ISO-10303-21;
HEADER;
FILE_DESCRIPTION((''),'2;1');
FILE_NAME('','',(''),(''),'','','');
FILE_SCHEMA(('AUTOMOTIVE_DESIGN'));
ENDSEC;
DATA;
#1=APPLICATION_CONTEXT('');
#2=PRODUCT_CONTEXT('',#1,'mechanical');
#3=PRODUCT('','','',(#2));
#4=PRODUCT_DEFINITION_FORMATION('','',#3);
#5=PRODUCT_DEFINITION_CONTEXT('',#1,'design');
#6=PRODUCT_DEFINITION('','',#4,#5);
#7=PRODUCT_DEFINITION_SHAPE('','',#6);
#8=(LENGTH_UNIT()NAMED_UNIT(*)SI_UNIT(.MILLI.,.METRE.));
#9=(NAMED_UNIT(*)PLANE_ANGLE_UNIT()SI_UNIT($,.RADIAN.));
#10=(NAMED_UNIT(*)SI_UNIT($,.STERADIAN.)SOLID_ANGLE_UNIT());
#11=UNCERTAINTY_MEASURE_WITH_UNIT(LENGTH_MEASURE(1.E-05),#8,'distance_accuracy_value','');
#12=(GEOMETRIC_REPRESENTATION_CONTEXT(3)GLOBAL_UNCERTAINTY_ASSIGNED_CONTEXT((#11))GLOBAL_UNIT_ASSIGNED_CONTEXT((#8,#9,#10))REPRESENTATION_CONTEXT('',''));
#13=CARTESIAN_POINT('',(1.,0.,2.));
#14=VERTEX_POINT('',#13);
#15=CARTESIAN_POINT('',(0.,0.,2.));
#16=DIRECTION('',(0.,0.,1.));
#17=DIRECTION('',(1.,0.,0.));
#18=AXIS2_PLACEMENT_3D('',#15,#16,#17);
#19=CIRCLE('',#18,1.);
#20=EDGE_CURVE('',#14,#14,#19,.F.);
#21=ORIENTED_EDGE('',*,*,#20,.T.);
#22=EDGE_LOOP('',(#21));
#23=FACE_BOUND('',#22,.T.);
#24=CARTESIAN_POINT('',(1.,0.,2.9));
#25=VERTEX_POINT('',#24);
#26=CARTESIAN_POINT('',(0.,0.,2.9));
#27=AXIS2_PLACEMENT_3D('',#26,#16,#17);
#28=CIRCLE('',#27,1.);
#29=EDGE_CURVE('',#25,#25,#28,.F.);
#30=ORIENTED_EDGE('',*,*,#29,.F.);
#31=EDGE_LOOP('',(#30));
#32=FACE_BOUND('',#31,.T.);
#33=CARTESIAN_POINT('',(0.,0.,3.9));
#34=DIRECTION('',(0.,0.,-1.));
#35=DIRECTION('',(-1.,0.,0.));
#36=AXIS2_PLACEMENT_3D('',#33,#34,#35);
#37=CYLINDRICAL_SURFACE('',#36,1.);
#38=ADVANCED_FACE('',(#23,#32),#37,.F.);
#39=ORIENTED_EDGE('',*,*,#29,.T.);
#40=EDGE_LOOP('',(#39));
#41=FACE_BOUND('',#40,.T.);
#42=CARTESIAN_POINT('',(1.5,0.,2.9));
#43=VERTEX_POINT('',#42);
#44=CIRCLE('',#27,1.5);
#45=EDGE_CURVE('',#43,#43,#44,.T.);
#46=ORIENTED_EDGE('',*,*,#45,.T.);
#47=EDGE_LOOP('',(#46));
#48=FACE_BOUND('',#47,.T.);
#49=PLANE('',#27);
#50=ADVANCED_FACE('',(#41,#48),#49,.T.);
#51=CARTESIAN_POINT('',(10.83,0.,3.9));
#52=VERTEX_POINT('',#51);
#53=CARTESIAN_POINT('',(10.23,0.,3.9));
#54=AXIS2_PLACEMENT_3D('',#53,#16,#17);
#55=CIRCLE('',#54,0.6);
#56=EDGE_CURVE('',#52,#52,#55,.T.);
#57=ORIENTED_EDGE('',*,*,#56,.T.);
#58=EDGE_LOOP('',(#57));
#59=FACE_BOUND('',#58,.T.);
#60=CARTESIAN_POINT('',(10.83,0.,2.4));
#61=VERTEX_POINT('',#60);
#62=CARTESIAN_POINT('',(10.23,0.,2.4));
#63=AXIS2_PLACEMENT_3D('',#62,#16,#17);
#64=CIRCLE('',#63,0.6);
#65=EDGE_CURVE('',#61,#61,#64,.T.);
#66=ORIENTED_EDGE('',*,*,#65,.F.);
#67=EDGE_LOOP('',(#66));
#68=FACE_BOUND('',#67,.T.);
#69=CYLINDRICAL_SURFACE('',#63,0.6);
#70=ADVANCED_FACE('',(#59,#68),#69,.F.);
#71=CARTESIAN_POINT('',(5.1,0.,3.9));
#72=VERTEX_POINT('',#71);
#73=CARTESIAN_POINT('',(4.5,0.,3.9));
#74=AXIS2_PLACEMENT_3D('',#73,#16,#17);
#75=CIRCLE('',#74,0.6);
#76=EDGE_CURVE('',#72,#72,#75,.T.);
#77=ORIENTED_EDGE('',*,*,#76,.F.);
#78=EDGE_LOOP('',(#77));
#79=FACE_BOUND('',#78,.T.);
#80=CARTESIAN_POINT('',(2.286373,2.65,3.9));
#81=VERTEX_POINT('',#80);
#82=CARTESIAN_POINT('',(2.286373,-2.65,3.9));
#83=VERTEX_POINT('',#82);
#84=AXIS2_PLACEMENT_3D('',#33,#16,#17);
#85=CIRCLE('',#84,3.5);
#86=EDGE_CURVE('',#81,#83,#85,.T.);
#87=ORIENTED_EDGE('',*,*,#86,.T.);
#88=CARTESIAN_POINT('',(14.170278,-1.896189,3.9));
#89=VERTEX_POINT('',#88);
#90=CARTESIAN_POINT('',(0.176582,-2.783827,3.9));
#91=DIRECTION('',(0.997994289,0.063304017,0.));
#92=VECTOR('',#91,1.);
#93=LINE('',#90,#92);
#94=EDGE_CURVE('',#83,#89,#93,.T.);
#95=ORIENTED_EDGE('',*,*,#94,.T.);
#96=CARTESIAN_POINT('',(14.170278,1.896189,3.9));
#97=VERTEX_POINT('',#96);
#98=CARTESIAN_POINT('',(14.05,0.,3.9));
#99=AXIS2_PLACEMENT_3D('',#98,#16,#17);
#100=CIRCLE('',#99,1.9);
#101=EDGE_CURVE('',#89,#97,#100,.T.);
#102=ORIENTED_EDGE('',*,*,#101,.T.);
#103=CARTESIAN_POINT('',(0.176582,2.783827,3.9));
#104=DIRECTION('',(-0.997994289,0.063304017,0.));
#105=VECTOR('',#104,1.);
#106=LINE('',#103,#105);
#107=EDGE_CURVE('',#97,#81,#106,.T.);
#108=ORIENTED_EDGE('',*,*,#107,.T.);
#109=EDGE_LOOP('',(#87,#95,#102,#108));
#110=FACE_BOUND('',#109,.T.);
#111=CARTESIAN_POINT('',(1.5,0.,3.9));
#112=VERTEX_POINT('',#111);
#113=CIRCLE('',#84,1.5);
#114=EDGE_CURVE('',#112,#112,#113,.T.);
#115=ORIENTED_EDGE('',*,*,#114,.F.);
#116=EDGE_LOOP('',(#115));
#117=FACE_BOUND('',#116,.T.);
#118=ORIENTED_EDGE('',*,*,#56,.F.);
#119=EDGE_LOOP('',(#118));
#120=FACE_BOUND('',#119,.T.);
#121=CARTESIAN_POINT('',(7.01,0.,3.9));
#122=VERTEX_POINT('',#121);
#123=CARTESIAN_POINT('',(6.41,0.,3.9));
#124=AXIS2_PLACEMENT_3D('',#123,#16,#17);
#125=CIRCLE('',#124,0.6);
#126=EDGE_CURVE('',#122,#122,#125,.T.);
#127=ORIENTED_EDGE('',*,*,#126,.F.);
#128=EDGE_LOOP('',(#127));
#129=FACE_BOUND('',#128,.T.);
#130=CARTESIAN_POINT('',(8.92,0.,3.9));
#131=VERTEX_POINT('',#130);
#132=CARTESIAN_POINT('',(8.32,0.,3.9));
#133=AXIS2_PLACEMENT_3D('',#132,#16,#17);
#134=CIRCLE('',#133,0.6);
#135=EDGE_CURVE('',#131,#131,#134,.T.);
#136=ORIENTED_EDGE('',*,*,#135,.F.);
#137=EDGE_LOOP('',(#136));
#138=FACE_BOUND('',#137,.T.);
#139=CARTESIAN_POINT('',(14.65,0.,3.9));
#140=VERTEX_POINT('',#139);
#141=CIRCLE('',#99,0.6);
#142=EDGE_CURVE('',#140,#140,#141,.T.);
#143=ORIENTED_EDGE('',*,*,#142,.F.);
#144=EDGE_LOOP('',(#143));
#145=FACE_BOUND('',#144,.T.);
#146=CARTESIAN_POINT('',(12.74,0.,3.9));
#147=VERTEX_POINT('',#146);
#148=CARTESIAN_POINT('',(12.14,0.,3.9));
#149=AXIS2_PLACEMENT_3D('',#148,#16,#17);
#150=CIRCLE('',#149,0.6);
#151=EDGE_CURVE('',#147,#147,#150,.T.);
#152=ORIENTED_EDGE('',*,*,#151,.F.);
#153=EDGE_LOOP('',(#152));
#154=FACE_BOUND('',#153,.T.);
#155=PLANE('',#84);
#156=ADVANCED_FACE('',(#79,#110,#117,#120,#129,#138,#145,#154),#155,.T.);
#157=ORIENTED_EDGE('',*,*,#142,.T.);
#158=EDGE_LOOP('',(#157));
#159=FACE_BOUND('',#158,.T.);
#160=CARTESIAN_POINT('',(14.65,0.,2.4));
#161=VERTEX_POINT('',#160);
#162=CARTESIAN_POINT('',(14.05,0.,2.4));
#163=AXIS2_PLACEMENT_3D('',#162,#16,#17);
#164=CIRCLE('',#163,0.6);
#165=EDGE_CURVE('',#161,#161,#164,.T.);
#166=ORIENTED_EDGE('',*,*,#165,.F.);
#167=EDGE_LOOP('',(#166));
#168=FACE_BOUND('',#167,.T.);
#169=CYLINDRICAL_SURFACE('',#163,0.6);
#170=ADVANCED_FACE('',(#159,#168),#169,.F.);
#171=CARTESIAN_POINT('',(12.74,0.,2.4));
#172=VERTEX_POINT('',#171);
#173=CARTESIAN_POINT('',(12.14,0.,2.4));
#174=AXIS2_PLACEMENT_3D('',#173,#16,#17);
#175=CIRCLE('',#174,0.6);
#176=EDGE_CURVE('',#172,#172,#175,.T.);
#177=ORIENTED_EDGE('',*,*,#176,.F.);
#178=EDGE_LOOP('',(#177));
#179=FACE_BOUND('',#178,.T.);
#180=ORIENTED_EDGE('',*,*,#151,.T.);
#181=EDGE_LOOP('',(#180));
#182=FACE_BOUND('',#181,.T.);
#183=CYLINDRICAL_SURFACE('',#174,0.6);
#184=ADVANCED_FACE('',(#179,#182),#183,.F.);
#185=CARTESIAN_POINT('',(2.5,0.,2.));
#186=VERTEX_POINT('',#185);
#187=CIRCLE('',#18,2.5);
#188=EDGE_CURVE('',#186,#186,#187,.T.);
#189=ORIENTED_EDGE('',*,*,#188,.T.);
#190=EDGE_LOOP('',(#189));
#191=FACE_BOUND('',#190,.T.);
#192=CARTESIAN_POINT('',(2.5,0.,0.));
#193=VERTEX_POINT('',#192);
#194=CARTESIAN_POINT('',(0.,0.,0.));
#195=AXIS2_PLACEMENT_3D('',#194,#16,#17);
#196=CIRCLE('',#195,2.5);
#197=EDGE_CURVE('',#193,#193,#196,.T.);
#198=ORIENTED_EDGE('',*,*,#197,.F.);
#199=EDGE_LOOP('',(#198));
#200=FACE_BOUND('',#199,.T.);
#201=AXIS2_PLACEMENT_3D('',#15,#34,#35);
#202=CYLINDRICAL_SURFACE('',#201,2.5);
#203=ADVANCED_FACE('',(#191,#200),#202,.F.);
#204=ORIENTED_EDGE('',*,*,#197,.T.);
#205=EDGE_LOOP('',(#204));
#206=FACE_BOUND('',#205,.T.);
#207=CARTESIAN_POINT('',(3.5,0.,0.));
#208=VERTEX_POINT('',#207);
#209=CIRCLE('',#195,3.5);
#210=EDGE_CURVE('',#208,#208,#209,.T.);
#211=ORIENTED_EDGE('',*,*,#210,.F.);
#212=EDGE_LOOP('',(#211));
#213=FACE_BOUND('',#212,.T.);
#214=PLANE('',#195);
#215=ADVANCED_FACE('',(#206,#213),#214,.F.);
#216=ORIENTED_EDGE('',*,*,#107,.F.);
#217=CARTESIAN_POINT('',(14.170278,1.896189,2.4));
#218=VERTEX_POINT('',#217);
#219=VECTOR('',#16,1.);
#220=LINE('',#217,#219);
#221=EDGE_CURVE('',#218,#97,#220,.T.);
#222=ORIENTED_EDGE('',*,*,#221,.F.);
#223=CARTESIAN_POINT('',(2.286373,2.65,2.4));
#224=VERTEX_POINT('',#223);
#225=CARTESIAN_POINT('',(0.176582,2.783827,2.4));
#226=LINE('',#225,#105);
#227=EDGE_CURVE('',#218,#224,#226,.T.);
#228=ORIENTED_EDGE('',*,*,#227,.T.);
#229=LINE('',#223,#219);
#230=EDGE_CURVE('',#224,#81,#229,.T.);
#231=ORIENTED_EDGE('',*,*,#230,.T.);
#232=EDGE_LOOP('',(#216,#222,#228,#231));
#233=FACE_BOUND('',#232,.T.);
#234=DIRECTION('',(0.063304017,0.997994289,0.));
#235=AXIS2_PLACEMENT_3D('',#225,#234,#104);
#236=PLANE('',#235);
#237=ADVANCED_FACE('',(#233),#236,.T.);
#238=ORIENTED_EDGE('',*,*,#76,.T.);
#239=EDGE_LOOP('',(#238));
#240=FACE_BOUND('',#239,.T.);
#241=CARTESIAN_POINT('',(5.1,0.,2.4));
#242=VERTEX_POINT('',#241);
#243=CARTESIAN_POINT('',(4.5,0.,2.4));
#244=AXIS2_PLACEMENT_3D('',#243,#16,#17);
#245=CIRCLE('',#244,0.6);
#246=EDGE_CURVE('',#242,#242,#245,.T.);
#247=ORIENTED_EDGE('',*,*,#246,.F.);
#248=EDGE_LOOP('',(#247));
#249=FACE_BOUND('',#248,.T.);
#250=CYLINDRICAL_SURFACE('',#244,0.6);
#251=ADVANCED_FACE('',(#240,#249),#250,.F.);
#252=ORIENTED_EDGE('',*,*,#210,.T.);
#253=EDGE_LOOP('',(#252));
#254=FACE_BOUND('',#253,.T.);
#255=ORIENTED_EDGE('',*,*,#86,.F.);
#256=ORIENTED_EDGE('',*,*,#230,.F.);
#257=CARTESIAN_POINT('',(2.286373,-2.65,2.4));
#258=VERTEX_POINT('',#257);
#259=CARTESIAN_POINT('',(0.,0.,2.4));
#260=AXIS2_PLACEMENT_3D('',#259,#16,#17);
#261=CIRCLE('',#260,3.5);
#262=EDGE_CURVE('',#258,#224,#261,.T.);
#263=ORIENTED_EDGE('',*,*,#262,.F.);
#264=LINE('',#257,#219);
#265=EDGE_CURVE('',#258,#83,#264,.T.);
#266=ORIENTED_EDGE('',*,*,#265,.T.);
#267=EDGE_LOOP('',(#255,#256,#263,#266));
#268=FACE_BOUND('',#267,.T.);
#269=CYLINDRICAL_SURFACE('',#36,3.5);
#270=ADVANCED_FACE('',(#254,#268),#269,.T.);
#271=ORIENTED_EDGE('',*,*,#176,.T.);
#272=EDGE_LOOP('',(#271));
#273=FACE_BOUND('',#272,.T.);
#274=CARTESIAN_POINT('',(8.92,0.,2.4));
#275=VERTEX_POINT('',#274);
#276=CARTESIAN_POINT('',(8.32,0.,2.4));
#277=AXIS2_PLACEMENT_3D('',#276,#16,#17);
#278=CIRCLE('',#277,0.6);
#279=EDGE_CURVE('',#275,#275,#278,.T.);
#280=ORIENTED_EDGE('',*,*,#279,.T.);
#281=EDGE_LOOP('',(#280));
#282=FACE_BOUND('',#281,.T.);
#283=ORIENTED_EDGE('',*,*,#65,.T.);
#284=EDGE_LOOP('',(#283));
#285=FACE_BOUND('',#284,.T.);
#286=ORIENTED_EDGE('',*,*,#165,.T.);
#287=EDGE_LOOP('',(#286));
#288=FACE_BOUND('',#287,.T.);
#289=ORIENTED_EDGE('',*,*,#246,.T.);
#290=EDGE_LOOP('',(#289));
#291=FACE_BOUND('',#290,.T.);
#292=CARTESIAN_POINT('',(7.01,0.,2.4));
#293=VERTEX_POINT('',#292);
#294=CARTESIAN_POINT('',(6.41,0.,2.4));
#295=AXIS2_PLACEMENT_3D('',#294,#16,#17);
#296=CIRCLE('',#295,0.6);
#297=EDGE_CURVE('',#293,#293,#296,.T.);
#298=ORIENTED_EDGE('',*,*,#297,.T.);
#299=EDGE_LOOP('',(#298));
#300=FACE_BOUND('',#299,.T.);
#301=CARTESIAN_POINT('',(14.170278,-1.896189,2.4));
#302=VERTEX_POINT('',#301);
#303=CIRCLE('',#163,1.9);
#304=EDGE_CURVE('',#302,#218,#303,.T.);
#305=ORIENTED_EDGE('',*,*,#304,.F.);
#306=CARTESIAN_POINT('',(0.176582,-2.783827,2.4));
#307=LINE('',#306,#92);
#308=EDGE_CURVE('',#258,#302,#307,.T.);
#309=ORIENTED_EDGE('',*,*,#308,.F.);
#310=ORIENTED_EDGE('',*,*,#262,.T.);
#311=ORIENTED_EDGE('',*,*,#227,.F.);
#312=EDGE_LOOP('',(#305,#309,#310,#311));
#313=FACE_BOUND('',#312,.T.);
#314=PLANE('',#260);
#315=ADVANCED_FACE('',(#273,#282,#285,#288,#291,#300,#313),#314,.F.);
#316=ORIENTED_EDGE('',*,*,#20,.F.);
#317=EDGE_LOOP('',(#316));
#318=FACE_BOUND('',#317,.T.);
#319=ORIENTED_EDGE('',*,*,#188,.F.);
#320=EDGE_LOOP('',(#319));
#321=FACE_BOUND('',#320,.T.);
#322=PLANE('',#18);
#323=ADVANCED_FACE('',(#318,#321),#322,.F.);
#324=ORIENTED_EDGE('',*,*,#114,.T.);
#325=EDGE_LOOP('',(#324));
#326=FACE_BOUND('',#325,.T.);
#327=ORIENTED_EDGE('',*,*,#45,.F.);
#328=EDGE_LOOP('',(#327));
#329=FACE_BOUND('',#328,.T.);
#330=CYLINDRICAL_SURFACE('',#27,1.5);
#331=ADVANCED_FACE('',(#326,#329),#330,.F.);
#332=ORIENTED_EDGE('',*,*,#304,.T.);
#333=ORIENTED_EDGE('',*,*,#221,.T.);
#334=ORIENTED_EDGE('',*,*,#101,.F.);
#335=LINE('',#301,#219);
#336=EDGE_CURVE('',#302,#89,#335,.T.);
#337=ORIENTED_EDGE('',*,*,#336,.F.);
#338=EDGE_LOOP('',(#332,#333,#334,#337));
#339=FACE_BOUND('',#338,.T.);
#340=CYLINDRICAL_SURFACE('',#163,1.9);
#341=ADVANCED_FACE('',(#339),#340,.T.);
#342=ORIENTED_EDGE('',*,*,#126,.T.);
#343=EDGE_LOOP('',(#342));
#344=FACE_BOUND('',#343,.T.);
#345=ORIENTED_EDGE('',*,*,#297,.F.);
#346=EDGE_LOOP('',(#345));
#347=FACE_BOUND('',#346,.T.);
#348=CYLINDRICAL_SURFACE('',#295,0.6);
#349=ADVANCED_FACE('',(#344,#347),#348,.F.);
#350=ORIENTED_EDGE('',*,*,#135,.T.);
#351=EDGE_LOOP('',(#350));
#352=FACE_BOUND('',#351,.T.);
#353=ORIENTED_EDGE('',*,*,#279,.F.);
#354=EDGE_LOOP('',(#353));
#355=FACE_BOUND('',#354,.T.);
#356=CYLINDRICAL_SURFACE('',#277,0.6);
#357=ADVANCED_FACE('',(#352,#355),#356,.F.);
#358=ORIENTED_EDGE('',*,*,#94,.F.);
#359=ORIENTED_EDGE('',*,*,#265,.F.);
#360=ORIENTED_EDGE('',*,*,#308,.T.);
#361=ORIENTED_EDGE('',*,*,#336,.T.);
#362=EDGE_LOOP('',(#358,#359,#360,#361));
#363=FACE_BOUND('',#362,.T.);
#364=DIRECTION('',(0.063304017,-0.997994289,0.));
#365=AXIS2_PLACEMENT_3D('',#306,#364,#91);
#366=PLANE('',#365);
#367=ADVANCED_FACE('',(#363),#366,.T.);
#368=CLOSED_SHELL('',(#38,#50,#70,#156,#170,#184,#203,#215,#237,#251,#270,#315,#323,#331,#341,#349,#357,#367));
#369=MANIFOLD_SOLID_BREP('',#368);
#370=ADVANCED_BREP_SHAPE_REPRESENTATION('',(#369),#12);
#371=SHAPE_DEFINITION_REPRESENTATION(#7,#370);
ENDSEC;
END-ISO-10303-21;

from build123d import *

# Parameters (mm, degrees)
SKETCH_1_R          = 3.5
EXTRUDE_1_DEPTH     = 3.9
EXTRUDE_START       = 2.4
SKETCH_1_6_R        = 0.6
EXTRUDE_2_DEPTH     = 1.5
SKETCH_1_3_R        = 2.5
CUT_EXTRUDE_1_DEPTH = 2
CUT_EXTRUDE_START   = 3.9
SKETCH_1_4_R        = 1.5
CUT_EXTRUDE_2_DEPTH = 1
SKETCH_1_5_R        = 1
CUT_EXTRUDE_3_DEPTH = 17.788761122


with BuildPart() as part:
    # 草图1 → 凸台-拉伸1 (new body)
    with BuildSketch(Plane.XY):
        Circle(SKETCH_1_R)
    extrude(amount=EXTRUDE_1_DEPTH)

    # 草图1<6> → 凸台-拉伸2 (add)
    with BuildSketch(Plane.XY.offset(EXTRUDE_START)):
        with BuildLine():
            Line((14.170277633, 1.89618915), (2.286372673, 2.65))
            ThreePointArc((2.286372673, 2.65), (3.5, 0), (2.286372673, -2.65))
            Line((2.286372673, -2.65), (14.170277633, -1.89618915))
            ThreePointArc((14.170277633, -1.89618915), (15.95, 0), (14.170277633, 1.89618915))
        make_face()
        with BuildLine():
            ThreePointArc((11.54, 0), (12.14, 0.6), (12.74, 0))
            ThreePointArc((12.74, 0), (12.14, -0.6), (11.54, 0))
        make_face(mode=Mode.SUBTRACT)
        with Locations((4.5, 0)):
            Circle(SKETCH_1_6_R, mode=Mode.SUBTRACT)
        with BuildLine():
            ThreePointArc((5.81, 0), (6.41, 0.6), (7.01, 0))
            ThreePointArc((7.01, 0), (6.41, -0.6), (5.81, 0))
        make_face(mode=Mode.SUBTRACT)
        with BuildLine():
            ThreePointArc((7.72, 0), (8.32, 0.6), (8.92, 0))
            ThreePointArc((8.92, 0), (8.32, -0.6), (7.72, 0))
        make_face(mode=Mode.SUBTRACT)
        with BuildLine():
            ThreePointArc((9.63, 0), (10.23, 0.6), (10.83, 0))
            ThreePointArc((10.83, 0), (10.23, -0.6), (9.63, 0))
        make_face(mode=Mode.SUBTRACT)
        with Locations((14.05, 0)):
            Circle(SKETCH_1_6_R, mode=Mode.SUBTRACT)
    extrude(amount=EXTRUDE_2_DEPTH)

    # 草图1<3> → 切除-拉伸1 (cut)
    with BuildSketch(Plane.XY):
        Circle(SKETCH_1_3_R)
    extrude(amount=CUT_EXTRUDE_1_DEPTH, mode=Mode.SUBTRACT)

    # 草图1<4> → 切除-拉伸2 (cut)
    with BuildSketch(Plane.XY.offset(CUT_EXTRUDE_START)):
        Circle(SKETCH_1_4_R)
    extrude(amount=-CUT_EXTRUDE_2_DEPTH, mode=Mode.SUBTRACT)

    # 草图1<5> → 切除-拉伸3 (cut, through all)
    with BuildSketch(Plane.XY):
        Circle(SKETCH_1_5_R)
    extrude(amount=CUT_EXTRUDE_3_DEPTH, mode=Mode.SUBTRACT)


solid = part.part
